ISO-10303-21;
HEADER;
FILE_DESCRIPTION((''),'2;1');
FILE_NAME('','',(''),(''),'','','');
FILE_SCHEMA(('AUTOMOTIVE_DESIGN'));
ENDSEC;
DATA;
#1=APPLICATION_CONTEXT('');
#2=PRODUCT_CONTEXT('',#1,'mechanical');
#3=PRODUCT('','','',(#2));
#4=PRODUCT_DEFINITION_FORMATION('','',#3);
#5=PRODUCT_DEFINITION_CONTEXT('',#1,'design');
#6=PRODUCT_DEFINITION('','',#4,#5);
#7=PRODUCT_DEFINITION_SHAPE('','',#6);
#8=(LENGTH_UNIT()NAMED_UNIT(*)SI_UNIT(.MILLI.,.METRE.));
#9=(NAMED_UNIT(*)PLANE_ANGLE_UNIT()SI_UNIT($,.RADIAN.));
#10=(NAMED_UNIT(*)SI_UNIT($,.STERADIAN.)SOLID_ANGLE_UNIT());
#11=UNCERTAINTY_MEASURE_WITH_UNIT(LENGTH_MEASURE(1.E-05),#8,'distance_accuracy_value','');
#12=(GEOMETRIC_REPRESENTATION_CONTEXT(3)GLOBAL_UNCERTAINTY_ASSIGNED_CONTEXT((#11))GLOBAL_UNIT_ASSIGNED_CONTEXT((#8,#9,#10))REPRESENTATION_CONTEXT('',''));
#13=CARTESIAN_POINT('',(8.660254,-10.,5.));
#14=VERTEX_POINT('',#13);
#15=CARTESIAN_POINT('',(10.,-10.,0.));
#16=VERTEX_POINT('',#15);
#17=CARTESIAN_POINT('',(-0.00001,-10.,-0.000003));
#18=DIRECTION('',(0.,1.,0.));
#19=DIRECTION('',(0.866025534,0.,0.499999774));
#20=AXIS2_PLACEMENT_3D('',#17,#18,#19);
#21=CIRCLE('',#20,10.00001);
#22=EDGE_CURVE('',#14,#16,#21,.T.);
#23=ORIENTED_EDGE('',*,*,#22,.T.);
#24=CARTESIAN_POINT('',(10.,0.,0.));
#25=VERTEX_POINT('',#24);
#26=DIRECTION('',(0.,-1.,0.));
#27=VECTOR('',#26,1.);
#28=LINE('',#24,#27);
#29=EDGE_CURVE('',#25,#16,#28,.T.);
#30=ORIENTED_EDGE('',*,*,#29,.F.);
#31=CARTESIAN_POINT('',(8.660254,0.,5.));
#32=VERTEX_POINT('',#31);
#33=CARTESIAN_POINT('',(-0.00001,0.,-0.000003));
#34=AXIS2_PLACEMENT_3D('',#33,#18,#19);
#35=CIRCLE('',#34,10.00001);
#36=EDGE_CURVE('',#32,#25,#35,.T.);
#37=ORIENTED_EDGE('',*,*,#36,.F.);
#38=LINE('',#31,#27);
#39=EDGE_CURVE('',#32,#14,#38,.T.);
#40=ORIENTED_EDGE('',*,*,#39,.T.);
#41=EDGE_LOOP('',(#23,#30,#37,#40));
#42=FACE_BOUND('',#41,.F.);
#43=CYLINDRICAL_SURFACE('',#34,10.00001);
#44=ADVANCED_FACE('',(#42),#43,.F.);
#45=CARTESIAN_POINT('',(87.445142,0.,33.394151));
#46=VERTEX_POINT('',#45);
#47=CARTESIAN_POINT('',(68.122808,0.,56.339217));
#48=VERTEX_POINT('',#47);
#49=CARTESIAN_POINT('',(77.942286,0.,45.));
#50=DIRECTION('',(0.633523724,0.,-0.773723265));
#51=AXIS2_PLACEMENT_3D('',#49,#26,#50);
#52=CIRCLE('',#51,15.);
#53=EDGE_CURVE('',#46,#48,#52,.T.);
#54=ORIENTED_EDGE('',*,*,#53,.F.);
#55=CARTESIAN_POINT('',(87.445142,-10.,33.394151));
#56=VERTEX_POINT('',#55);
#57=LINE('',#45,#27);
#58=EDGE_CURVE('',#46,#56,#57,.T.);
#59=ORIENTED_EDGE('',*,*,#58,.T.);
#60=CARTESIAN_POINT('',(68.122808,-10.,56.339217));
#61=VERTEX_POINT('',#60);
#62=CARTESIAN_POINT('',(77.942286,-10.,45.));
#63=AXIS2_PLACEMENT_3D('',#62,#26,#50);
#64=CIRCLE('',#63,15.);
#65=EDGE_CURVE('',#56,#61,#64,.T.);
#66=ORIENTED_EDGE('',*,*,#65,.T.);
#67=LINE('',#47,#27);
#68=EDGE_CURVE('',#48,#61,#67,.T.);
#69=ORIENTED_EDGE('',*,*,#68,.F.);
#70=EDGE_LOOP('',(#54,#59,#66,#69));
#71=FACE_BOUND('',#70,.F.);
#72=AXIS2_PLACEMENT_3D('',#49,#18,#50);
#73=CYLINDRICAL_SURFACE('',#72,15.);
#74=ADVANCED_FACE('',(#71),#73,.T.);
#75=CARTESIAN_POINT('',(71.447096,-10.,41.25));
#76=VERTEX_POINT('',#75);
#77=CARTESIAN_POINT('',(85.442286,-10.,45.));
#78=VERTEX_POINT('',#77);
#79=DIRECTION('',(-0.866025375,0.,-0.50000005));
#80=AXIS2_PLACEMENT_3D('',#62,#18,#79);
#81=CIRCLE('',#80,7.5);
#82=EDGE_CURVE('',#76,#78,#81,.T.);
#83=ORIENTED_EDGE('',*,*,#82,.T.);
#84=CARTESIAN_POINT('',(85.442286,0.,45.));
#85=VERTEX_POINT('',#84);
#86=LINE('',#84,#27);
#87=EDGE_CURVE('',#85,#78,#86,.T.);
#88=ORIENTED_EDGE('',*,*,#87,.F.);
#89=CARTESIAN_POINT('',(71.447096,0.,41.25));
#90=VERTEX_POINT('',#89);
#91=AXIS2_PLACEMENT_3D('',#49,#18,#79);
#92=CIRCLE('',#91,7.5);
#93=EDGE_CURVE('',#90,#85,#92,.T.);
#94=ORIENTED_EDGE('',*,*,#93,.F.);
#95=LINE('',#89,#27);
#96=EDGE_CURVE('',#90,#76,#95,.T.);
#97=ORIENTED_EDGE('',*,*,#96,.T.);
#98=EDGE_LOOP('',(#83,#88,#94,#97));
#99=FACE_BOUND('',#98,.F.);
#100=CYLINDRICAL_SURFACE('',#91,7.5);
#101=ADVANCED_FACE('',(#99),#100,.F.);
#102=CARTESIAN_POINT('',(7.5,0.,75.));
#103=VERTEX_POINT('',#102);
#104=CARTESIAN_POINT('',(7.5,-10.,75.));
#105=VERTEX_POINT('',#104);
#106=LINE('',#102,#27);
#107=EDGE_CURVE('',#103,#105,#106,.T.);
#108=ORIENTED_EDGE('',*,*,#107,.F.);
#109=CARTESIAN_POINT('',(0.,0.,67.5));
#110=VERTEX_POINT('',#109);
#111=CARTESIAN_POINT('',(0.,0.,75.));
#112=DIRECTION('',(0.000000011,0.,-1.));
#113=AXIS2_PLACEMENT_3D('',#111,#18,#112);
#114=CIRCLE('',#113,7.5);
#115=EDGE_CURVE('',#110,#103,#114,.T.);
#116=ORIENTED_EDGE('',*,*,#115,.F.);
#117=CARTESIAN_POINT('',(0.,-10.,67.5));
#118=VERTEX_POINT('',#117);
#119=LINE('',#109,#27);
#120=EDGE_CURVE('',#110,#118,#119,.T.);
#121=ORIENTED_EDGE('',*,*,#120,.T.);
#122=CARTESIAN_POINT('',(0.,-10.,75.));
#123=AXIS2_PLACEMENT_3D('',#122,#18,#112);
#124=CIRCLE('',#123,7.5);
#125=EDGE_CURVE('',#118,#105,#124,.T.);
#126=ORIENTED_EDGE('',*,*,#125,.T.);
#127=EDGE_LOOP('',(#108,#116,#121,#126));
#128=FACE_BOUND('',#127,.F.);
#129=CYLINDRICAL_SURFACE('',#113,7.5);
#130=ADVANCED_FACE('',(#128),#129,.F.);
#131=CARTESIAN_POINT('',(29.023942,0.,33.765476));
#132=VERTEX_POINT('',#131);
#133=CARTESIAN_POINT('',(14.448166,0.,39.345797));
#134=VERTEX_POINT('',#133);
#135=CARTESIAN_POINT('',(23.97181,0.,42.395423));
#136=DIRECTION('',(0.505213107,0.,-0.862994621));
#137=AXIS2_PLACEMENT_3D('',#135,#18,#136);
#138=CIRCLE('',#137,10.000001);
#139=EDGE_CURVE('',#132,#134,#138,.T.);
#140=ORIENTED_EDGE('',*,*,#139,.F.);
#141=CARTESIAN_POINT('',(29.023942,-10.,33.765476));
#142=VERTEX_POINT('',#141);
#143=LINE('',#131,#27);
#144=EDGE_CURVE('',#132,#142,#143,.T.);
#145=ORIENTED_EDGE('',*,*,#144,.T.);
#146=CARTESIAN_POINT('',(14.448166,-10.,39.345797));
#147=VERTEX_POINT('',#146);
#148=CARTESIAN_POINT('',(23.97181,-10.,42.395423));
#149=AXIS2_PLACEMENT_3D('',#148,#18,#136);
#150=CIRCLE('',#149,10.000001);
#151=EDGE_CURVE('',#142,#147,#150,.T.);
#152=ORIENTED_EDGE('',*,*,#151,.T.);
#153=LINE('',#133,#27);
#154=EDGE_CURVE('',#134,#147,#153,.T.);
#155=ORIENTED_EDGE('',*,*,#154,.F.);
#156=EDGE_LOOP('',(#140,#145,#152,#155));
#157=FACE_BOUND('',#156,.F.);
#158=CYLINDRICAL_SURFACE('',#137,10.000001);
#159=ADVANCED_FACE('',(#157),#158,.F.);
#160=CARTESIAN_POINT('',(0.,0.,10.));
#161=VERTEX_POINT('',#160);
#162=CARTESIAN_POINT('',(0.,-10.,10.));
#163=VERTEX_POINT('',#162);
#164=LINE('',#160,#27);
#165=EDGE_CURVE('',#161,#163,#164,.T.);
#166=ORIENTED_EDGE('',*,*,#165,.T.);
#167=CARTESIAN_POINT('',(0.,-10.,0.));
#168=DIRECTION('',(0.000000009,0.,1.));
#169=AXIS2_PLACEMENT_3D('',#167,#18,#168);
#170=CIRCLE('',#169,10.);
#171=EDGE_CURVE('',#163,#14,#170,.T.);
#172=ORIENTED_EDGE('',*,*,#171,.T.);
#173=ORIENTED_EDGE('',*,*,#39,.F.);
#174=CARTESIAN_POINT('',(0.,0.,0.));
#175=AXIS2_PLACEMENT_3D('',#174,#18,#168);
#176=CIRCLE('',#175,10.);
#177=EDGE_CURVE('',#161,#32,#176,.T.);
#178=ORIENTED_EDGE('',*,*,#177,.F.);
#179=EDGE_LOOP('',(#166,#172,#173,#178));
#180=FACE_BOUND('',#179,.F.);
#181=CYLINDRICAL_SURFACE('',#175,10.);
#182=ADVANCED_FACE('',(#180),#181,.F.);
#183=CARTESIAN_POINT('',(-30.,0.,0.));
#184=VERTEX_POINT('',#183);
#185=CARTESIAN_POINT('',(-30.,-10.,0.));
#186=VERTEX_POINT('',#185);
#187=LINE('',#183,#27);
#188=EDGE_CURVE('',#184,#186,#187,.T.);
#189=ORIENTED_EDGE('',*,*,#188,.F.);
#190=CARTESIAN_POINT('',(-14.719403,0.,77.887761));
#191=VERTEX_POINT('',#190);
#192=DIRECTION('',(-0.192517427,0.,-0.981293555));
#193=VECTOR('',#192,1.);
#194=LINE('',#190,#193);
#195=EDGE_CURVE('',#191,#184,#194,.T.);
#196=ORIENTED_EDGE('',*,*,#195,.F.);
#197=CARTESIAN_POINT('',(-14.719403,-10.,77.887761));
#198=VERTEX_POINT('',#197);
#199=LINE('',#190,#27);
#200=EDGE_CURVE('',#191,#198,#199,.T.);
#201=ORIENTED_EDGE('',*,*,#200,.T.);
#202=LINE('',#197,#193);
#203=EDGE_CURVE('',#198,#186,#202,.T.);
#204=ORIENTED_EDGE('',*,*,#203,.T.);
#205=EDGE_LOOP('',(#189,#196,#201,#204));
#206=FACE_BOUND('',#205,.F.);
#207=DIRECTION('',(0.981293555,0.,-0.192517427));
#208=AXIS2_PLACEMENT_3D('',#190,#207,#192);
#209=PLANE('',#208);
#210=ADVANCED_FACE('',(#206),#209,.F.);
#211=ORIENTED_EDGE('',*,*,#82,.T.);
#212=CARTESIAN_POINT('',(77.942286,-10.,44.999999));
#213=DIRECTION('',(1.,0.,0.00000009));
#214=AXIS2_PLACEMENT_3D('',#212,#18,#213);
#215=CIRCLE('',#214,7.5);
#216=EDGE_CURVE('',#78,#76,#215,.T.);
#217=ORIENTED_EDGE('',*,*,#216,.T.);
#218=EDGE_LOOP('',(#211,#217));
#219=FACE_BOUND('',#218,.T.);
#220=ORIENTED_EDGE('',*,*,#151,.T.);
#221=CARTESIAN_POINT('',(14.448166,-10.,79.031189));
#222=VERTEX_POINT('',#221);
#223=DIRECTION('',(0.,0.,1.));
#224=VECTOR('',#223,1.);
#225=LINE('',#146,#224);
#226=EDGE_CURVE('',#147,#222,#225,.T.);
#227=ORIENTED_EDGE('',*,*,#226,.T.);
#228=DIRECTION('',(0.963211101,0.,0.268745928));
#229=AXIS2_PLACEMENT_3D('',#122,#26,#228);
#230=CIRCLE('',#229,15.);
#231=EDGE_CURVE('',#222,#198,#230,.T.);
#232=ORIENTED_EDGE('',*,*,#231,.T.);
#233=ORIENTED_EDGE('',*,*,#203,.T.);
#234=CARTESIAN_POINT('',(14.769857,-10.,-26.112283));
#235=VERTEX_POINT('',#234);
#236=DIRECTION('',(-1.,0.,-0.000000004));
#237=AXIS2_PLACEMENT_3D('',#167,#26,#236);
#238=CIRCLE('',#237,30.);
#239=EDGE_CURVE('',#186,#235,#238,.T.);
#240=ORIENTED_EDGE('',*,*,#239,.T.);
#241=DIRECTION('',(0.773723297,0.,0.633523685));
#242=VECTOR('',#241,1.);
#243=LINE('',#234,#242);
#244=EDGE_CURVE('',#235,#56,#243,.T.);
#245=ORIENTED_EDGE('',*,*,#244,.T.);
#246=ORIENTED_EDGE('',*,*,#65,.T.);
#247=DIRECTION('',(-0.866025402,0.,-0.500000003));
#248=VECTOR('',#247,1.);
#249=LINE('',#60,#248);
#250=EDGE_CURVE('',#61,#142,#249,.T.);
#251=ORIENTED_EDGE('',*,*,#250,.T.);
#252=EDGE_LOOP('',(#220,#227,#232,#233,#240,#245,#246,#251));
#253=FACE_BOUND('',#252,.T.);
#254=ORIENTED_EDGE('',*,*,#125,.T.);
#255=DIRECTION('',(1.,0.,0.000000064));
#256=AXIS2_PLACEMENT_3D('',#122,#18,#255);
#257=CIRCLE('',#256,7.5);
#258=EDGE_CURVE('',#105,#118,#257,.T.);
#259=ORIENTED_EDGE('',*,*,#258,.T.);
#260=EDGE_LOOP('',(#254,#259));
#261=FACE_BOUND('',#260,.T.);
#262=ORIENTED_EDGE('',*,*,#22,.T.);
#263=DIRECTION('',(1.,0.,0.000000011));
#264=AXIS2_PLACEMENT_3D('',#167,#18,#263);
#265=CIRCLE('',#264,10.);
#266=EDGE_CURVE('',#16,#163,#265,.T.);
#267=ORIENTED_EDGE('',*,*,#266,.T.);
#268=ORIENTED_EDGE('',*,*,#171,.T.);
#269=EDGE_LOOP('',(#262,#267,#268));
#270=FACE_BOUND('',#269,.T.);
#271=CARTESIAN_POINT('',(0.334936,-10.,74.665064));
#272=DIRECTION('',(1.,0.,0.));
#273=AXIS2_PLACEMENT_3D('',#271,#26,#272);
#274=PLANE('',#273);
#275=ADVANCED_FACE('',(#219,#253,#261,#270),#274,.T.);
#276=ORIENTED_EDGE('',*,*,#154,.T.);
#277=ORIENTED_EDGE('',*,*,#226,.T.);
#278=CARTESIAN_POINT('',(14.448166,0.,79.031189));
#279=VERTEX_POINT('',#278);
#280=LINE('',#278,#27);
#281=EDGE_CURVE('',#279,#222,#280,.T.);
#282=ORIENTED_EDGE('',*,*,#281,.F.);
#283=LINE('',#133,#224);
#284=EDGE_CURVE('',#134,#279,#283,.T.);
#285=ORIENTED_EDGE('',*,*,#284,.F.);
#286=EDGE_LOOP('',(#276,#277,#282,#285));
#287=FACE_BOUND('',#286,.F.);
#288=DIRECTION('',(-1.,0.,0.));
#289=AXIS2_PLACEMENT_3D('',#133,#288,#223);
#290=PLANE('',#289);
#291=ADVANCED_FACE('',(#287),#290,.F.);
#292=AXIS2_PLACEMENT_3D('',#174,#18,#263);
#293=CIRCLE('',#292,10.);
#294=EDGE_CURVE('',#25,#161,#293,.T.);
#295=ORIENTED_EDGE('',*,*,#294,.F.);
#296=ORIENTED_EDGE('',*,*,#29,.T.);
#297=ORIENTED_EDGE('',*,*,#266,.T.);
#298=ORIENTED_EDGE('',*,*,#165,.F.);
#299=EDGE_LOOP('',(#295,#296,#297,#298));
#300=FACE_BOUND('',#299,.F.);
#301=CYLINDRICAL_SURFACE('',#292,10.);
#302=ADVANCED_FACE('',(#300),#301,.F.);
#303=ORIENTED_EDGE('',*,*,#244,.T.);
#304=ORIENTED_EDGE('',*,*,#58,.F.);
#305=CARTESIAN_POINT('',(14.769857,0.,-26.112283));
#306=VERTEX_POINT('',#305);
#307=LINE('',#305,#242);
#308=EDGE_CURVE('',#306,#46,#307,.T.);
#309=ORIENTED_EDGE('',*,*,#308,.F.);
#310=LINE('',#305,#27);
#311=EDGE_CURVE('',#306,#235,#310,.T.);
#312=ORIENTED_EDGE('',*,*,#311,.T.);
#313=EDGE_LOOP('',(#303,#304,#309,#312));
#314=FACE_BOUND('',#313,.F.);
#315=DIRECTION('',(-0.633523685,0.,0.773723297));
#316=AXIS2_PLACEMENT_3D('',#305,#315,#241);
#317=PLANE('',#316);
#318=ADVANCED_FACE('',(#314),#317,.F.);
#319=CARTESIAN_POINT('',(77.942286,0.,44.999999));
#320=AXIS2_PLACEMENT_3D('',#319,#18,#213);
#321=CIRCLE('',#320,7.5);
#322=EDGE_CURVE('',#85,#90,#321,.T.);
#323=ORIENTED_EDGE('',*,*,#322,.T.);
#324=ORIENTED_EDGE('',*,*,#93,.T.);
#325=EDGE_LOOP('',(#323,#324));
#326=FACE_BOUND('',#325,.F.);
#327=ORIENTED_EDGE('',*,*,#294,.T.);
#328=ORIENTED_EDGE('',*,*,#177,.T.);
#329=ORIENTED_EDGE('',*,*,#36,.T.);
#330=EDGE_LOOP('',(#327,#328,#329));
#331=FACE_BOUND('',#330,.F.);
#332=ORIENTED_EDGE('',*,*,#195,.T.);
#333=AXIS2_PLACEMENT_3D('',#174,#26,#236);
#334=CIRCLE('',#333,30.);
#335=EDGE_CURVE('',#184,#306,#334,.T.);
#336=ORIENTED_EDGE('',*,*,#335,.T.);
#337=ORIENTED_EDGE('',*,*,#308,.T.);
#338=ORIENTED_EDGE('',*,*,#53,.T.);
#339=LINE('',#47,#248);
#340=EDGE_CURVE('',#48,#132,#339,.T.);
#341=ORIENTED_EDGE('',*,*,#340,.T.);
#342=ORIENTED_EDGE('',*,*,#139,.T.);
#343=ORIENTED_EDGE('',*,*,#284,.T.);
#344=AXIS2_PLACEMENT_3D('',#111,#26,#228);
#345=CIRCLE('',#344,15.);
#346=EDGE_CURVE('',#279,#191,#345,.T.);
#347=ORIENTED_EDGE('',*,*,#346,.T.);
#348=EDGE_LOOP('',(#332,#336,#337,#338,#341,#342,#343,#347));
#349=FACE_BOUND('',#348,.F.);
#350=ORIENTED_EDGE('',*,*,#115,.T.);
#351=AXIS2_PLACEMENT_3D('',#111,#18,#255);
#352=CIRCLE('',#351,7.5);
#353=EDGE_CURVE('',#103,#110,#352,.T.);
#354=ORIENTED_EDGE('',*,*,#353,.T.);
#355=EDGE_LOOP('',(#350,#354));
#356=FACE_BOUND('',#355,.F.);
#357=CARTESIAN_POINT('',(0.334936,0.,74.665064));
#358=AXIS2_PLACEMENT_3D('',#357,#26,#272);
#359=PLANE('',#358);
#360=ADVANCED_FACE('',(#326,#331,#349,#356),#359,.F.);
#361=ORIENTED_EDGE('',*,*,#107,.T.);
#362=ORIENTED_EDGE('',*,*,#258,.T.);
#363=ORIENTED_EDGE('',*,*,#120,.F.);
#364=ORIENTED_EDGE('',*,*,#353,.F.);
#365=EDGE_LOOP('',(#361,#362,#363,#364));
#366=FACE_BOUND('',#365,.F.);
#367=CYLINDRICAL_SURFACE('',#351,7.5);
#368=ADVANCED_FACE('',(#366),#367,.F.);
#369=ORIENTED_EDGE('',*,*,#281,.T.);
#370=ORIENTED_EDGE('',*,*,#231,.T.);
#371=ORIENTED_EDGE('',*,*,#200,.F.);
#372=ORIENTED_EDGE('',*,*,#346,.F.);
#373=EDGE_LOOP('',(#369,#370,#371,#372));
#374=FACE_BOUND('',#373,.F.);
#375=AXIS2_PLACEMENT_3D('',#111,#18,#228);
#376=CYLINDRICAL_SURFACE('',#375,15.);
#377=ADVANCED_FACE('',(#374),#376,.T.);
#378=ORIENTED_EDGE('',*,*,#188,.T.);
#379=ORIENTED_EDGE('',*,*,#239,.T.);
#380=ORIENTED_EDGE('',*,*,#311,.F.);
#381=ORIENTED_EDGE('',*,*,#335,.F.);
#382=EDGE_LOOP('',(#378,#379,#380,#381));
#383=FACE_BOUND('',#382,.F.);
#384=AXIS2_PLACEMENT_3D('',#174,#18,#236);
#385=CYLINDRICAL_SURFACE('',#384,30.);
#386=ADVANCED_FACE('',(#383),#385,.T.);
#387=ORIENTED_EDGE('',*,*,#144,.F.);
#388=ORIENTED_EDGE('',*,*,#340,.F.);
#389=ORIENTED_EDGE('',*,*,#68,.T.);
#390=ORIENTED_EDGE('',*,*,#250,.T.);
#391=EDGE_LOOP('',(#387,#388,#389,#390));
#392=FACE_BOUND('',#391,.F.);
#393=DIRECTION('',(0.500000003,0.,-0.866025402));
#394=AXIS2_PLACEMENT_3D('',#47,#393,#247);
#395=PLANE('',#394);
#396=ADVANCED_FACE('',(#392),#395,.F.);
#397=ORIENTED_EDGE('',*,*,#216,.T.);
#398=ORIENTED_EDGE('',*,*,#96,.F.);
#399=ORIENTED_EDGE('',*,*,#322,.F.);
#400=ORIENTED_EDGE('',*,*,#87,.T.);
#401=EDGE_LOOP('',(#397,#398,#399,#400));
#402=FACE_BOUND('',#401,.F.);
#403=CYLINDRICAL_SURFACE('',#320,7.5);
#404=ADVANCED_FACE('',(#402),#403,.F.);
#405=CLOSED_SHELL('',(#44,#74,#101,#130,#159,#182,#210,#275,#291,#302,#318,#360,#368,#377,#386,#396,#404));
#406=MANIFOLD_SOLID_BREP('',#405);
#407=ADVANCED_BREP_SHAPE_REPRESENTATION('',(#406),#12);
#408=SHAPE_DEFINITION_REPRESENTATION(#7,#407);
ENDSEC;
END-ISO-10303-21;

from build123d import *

# Parameters (mm, degrees)
F1_DEPTH = 10


with BuildPart() as f1:
    # F0 (on Front) → F1 (new body)
    with BuildSketch(Plane.XZ):
        with BuildLine():
            ThreePointArc((7.5, 75), (-5.303301, 80.303301), (0, 67.5))
            ThreePointArc((0, 67.5), (5.303301, 69.696699), (7.5, 75))
        make_face()
        with BuildLine():
            ThreePointArc((85.442286, 45), (76.001144, 52.244444), (71.447096, 41.25))
            ThreePointArc((71.447096, 41.25), (79.883429, 37.755556), (85.442286, 45))
        make_face()
        with BuildLine():
            Line((-14.719403, 77.887761), (-30, 0))
            ThreePointArc((-30, 0), (-15.114634, -25.91424), (14.769857, -26.112283))
            Line((14.769857, -26.112283), (87.445142, 33.394151))
            ThreePointArc((87.445142, 33.394151), (89.415912, 54.662086), (68.122808, 56.339217))
            Line((68.122808, 56.339217), (29.023942, 33.765476))
            ThreePointArc((29.023942, 33.765476), (20.396394, 33.05645), (14.448166, 39.345797))
            Line((14.448166, 39.345797), (14.448166, 79.031189))
            ThreePointArc((14.448166, 79.031189), (-0.587579, 89.988487), (-14.719403, 77.887761))
        make_face()
        with BuildLine():
            ThreePointArc((8.660254, 5), (9.659258, 2.58819), (10, 0))
            ThreePointArc((10, 0), (-7.071068, -7.071068), (0, 10))
            ThreePointArc((0, 10), (5, 8.660254), (8.660254, 5))
        make_face(mode=Mode.SUBTRACT)
        with BuildLine():
            ThreePointArc((7.5, 75), (5.303301, 69.696699), (0, 67.5))
            ThreePointArc((0, 67.5), (-5.303301, 80.303301), (7.5, 75))
        make_face(mode=Mode.SUBTRACT)
        with BuildLine():
            ThreePointArc((85.442286, 45), (79.883429, 37.755556), (71.447096, 41.25))
            ThreePointArc((71.447096, 41.25), (76.001144, 52.244444), (85.442286, 45))
        make_face(mode=Mode.SUBTRACT)
    extrude(amount=F1_DEPTH)


solid = f1.part
